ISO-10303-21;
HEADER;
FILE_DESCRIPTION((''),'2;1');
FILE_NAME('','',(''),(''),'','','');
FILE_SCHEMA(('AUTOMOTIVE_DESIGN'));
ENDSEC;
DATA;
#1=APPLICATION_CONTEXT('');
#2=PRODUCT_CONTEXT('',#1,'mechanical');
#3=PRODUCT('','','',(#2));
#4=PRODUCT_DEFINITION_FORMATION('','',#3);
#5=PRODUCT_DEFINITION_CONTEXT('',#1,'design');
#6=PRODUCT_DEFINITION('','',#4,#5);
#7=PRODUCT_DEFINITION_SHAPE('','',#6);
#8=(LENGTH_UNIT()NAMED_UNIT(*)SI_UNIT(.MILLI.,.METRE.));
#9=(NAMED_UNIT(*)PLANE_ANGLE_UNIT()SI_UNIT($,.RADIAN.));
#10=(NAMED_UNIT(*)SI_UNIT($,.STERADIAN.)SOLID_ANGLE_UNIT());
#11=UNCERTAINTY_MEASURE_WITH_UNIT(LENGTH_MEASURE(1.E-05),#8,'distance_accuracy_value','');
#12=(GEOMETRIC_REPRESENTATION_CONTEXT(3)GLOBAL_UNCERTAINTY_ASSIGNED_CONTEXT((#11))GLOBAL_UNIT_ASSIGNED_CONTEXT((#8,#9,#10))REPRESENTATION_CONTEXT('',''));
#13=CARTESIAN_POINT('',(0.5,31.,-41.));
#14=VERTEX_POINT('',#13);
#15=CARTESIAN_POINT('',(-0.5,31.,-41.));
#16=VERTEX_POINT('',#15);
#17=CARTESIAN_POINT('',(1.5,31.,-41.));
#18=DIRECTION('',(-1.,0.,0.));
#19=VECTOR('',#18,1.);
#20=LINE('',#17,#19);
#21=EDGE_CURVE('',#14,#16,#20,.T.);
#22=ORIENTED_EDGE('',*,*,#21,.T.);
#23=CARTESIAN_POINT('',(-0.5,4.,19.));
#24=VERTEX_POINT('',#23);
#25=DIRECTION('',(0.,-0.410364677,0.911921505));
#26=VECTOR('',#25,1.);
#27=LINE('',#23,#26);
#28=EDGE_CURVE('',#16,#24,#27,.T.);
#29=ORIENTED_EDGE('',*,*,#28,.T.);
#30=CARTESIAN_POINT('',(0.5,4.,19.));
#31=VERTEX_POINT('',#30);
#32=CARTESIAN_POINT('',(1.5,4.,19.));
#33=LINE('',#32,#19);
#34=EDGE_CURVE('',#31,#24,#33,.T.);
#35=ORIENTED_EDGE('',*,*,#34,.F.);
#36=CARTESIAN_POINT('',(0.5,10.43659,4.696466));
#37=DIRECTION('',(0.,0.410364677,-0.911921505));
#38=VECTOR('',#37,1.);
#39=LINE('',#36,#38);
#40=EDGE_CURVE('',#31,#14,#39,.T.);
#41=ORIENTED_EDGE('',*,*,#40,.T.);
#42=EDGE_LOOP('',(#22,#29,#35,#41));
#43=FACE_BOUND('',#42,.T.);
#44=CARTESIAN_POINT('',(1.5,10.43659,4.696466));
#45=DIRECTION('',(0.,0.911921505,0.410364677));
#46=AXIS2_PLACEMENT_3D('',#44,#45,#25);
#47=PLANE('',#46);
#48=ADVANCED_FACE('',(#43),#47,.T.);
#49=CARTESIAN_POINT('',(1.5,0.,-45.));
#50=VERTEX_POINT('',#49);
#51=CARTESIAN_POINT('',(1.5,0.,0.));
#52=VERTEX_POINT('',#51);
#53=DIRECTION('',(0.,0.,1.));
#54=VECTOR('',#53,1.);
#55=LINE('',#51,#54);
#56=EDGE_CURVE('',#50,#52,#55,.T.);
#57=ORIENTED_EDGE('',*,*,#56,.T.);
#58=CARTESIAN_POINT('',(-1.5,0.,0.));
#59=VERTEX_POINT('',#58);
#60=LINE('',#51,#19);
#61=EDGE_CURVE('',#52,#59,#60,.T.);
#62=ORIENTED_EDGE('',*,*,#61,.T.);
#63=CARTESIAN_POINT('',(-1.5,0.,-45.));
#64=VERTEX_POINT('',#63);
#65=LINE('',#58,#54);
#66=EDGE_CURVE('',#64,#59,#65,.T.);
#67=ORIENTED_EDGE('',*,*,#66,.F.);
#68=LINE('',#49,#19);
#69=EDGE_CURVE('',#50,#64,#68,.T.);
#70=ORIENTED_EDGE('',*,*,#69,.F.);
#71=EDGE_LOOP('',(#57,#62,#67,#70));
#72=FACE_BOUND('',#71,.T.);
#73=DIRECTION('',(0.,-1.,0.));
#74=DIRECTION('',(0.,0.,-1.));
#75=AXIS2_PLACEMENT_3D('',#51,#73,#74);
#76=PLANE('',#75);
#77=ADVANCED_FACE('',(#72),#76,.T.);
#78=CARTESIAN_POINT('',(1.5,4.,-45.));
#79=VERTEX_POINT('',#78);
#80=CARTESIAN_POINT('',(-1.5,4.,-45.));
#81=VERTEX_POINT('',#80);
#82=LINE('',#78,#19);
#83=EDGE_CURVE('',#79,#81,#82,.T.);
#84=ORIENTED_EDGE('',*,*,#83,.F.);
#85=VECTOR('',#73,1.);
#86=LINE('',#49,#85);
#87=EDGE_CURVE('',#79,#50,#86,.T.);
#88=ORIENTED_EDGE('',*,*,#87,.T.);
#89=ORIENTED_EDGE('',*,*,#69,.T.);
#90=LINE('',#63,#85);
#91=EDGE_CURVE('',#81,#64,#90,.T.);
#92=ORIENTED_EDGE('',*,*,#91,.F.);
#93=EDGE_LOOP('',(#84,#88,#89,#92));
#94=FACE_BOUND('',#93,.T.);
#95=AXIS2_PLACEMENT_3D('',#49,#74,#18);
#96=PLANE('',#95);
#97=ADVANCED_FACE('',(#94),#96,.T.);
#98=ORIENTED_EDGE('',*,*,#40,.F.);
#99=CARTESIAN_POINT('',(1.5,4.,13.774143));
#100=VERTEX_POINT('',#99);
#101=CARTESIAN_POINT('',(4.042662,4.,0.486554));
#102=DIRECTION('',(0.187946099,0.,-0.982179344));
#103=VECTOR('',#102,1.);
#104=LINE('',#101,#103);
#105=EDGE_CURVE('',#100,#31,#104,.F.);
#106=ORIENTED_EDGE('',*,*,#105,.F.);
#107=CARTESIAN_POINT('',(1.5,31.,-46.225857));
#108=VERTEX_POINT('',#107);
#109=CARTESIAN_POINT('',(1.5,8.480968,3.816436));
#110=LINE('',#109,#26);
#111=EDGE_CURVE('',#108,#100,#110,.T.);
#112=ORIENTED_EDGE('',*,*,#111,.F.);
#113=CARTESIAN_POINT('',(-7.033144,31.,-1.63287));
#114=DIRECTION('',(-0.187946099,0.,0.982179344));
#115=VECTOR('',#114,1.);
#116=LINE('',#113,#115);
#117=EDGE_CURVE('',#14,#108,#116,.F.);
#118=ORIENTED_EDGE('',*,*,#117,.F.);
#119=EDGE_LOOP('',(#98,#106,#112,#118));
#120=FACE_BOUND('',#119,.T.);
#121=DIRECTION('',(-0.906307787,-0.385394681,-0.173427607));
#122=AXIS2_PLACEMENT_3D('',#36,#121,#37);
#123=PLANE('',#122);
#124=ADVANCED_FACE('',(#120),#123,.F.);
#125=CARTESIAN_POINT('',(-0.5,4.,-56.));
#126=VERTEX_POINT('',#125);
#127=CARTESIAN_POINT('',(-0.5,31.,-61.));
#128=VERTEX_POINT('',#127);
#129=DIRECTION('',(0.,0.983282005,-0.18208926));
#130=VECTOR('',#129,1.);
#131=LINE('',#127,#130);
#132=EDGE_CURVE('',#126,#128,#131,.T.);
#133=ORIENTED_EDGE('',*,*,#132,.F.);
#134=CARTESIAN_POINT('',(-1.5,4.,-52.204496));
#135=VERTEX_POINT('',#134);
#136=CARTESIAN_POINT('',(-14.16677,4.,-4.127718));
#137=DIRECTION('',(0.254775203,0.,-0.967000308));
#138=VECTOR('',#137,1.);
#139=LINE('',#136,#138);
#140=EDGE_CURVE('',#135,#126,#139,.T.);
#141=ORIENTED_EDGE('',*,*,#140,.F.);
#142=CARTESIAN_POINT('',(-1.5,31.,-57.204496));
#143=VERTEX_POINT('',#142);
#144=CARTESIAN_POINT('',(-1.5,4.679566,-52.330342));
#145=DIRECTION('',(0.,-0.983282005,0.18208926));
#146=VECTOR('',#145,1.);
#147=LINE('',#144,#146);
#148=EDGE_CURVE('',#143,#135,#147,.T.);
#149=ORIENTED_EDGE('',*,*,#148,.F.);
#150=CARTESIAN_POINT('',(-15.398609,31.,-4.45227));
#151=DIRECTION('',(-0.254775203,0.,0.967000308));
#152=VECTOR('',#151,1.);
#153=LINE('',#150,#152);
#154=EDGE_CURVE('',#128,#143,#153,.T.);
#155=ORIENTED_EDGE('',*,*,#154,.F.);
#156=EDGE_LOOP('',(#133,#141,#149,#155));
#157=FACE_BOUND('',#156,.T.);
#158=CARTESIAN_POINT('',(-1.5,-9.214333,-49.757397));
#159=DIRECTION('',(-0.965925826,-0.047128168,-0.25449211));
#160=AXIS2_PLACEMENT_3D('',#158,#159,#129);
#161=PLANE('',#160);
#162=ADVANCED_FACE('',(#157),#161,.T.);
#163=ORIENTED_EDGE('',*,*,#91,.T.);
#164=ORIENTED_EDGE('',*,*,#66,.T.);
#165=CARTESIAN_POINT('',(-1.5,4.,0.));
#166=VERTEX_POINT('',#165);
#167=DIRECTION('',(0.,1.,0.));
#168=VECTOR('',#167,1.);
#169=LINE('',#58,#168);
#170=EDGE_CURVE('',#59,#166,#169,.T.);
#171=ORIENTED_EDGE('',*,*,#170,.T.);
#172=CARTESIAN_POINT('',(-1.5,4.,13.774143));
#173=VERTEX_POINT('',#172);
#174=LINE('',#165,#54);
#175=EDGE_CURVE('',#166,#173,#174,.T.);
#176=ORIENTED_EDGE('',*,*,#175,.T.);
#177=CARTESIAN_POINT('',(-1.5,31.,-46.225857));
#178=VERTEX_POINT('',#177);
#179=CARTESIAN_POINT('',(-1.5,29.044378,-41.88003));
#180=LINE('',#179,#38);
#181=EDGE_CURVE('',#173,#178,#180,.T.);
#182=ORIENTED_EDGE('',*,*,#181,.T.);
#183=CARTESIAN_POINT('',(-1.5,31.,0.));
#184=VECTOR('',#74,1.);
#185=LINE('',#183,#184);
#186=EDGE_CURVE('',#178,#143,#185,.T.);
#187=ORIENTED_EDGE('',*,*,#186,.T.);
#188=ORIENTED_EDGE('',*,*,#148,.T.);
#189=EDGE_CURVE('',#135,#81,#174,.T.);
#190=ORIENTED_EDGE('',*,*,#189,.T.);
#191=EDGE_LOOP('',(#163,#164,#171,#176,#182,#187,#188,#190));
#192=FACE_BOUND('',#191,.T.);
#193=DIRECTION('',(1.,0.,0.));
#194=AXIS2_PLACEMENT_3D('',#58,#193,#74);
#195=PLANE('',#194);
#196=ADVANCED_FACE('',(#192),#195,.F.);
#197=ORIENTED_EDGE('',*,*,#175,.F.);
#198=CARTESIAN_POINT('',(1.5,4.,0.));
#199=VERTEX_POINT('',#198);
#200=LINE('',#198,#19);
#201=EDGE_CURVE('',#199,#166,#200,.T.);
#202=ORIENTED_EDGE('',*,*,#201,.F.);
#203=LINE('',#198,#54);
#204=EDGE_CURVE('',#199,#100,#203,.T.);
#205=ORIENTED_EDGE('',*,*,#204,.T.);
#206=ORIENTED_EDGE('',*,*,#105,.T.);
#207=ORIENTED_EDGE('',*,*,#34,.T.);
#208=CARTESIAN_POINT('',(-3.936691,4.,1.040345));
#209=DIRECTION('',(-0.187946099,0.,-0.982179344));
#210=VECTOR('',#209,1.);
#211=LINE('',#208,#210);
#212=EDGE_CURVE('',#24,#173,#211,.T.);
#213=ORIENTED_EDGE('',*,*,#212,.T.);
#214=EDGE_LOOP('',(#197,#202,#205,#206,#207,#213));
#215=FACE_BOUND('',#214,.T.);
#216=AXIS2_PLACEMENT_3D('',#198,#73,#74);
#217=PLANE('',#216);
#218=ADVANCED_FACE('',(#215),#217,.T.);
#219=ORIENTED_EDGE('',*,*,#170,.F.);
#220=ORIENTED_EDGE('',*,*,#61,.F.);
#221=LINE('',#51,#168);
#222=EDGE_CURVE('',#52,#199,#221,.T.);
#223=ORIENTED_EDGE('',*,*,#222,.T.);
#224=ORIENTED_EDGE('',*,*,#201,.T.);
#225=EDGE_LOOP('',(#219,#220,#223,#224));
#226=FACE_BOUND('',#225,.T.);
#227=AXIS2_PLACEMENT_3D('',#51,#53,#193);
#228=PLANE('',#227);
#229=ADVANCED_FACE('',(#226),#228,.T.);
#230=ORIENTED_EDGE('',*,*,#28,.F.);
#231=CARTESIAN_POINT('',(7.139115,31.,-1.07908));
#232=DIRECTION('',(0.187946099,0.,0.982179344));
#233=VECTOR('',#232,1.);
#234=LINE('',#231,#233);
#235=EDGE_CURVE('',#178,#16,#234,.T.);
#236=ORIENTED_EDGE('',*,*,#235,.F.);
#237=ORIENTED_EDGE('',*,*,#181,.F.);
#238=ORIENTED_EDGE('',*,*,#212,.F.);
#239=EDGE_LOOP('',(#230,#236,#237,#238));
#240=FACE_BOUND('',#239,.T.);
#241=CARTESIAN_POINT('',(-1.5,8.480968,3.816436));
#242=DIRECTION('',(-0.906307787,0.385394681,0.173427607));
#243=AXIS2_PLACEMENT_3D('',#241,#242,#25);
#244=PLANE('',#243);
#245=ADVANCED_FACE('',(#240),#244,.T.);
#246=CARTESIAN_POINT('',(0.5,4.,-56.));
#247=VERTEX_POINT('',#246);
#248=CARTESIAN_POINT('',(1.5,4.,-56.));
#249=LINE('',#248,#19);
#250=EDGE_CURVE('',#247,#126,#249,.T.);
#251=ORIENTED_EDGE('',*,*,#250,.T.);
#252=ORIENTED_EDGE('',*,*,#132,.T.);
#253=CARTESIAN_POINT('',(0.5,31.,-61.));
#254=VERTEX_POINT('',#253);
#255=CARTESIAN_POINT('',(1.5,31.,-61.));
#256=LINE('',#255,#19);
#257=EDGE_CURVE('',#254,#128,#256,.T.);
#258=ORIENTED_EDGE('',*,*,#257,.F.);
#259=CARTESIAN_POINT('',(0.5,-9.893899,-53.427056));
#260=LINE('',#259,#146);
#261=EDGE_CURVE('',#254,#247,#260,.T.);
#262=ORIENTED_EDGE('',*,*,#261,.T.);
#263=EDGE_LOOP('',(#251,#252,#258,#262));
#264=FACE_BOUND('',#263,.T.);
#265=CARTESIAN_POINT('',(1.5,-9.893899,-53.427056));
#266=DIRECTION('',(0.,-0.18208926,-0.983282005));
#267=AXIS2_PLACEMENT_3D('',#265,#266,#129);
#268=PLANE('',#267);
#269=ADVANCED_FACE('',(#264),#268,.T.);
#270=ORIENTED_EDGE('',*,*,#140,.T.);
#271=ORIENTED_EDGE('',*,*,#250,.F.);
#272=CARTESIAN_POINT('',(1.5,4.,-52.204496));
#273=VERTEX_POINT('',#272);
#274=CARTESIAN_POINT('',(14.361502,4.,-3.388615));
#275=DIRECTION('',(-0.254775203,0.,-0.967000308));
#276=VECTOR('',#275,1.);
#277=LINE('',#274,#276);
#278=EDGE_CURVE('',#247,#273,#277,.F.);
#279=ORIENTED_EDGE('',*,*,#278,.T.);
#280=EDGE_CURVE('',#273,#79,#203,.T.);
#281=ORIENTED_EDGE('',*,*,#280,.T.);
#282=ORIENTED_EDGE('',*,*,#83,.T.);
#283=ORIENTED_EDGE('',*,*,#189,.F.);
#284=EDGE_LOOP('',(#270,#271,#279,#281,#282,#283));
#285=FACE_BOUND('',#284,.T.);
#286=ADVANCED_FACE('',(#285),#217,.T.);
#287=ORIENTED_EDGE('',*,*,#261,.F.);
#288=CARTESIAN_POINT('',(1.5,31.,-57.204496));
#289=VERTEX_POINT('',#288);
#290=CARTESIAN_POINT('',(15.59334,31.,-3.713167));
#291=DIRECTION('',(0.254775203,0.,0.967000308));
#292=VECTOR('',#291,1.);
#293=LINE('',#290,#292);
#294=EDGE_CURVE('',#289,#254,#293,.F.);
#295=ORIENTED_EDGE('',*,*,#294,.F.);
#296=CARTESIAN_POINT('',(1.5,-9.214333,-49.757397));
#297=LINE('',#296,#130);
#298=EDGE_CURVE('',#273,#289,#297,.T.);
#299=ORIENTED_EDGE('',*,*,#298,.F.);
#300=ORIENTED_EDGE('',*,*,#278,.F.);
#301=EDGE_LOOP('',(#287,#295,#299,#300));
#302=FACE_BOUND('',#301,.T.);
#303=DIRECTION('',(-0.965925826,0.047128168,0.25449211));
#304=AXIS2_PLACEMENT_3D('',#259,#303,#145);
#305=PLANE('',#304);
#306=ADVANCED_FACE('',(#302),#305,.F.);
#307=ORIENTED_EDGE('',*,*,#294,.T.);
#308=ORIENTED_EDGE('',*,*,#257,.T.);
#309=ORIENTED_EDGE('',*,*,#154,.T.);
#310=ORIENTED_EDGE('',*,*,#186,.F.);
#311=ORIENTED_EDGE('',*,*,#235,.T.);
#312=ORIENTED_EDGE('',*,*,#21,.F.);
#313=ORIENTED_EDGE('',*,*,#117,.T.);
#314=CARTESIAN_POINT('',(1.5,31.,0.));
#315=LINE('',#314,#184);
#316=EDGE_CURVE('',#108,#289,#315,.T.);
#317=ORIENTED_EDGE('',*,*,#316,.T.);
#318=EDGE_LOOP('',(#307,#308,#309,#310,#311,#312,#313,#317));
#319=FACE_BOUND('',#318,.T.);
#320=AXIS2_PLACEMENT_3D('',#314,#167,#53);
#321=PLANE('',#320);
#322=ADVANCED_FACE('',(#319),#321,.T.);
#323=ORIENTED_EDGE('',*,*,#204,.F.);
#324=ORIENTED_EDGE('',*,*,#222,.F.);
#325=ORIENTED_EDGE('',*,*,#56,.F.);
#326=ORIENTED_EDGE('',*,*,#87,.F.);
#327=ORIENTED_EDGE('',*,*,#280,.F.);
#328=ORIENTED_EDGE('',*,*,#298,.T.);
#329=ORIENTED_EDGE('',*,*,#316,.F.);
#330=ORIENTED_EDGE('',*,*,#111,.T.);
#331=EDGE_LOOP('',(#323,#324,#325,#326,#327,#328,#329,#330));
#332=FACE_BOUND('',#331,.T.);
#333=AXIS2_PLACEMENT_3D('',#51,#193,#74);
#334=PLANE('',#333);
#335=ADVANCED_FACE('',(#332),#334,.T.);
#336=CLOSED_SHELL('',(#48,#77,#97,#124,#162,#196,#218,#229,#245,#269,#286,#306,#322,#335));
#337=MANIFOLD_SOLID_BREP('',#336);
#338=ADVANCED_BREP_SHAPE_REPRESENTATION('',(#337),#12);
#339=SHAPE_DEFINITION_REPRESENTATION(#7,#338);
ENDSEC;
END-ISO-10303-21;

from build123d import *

# Parameters (mm, degrees)
BOSS_EXTRUDE1_DEPTH = 1.5
CHAMFER1_SIZE       = 1
CHAMFER1_SIZE2      = 3.732050808
CHAMFER2_SIZE       = 1
CHAMFER2_SIZE2      = 2.144506921


with BuildPart() as part:
    # Sketch1 → Boss-Extrude1 (new body, symmetric)
    with BuildSketch(Plane(origin=(0, 0, 0), x_dir=(0, 0, -1), z_dir=(1, 0, 0))):
        Polygon((45, 0), (0, 0), (0, 4), (-19, 4), (41, 31), (61, 31), (56, 4), (45, 4), align=None)
    extrude(amount=BOSS_EXTRUDE1_DEPTH, both=True)

    # Chamfer1
    chamfer1_edges = [part.edges().sort_by_distance(p)[0] for p in [
        (-1.5, 17.5, -58.5),
        (1.5, 17.5, -58.5),
    ]]
    chamfer1_side = [part.faces().sort_by_distance(p)[0] for p in [
        (0, 17.5, -58.5),
    ]]
    chamfer(chamfer1_edges, length=CHAMFER1_SIZE, length2=CHAMFER1_SIZE2, reference=chamfer1_side[0])

    # Chamfer2
    chamfer2_edges = [part.edges().sort_by_distance(p)[0] for p in [
        (-1.5, 17.5, -11),
        (1.5, 17.5, -11),
    ]]
    chamfer2_side = [part.faces().sort_by_distance(p)[0] for p in [
        (0, 17.5, -11),
    ]]
    chamfer(chamfer2_edges, length=CHAMFER2_SIZE, length2=CHAMFER2_SIZE2, reference=chamfer2_side[0])


solid = part.part
